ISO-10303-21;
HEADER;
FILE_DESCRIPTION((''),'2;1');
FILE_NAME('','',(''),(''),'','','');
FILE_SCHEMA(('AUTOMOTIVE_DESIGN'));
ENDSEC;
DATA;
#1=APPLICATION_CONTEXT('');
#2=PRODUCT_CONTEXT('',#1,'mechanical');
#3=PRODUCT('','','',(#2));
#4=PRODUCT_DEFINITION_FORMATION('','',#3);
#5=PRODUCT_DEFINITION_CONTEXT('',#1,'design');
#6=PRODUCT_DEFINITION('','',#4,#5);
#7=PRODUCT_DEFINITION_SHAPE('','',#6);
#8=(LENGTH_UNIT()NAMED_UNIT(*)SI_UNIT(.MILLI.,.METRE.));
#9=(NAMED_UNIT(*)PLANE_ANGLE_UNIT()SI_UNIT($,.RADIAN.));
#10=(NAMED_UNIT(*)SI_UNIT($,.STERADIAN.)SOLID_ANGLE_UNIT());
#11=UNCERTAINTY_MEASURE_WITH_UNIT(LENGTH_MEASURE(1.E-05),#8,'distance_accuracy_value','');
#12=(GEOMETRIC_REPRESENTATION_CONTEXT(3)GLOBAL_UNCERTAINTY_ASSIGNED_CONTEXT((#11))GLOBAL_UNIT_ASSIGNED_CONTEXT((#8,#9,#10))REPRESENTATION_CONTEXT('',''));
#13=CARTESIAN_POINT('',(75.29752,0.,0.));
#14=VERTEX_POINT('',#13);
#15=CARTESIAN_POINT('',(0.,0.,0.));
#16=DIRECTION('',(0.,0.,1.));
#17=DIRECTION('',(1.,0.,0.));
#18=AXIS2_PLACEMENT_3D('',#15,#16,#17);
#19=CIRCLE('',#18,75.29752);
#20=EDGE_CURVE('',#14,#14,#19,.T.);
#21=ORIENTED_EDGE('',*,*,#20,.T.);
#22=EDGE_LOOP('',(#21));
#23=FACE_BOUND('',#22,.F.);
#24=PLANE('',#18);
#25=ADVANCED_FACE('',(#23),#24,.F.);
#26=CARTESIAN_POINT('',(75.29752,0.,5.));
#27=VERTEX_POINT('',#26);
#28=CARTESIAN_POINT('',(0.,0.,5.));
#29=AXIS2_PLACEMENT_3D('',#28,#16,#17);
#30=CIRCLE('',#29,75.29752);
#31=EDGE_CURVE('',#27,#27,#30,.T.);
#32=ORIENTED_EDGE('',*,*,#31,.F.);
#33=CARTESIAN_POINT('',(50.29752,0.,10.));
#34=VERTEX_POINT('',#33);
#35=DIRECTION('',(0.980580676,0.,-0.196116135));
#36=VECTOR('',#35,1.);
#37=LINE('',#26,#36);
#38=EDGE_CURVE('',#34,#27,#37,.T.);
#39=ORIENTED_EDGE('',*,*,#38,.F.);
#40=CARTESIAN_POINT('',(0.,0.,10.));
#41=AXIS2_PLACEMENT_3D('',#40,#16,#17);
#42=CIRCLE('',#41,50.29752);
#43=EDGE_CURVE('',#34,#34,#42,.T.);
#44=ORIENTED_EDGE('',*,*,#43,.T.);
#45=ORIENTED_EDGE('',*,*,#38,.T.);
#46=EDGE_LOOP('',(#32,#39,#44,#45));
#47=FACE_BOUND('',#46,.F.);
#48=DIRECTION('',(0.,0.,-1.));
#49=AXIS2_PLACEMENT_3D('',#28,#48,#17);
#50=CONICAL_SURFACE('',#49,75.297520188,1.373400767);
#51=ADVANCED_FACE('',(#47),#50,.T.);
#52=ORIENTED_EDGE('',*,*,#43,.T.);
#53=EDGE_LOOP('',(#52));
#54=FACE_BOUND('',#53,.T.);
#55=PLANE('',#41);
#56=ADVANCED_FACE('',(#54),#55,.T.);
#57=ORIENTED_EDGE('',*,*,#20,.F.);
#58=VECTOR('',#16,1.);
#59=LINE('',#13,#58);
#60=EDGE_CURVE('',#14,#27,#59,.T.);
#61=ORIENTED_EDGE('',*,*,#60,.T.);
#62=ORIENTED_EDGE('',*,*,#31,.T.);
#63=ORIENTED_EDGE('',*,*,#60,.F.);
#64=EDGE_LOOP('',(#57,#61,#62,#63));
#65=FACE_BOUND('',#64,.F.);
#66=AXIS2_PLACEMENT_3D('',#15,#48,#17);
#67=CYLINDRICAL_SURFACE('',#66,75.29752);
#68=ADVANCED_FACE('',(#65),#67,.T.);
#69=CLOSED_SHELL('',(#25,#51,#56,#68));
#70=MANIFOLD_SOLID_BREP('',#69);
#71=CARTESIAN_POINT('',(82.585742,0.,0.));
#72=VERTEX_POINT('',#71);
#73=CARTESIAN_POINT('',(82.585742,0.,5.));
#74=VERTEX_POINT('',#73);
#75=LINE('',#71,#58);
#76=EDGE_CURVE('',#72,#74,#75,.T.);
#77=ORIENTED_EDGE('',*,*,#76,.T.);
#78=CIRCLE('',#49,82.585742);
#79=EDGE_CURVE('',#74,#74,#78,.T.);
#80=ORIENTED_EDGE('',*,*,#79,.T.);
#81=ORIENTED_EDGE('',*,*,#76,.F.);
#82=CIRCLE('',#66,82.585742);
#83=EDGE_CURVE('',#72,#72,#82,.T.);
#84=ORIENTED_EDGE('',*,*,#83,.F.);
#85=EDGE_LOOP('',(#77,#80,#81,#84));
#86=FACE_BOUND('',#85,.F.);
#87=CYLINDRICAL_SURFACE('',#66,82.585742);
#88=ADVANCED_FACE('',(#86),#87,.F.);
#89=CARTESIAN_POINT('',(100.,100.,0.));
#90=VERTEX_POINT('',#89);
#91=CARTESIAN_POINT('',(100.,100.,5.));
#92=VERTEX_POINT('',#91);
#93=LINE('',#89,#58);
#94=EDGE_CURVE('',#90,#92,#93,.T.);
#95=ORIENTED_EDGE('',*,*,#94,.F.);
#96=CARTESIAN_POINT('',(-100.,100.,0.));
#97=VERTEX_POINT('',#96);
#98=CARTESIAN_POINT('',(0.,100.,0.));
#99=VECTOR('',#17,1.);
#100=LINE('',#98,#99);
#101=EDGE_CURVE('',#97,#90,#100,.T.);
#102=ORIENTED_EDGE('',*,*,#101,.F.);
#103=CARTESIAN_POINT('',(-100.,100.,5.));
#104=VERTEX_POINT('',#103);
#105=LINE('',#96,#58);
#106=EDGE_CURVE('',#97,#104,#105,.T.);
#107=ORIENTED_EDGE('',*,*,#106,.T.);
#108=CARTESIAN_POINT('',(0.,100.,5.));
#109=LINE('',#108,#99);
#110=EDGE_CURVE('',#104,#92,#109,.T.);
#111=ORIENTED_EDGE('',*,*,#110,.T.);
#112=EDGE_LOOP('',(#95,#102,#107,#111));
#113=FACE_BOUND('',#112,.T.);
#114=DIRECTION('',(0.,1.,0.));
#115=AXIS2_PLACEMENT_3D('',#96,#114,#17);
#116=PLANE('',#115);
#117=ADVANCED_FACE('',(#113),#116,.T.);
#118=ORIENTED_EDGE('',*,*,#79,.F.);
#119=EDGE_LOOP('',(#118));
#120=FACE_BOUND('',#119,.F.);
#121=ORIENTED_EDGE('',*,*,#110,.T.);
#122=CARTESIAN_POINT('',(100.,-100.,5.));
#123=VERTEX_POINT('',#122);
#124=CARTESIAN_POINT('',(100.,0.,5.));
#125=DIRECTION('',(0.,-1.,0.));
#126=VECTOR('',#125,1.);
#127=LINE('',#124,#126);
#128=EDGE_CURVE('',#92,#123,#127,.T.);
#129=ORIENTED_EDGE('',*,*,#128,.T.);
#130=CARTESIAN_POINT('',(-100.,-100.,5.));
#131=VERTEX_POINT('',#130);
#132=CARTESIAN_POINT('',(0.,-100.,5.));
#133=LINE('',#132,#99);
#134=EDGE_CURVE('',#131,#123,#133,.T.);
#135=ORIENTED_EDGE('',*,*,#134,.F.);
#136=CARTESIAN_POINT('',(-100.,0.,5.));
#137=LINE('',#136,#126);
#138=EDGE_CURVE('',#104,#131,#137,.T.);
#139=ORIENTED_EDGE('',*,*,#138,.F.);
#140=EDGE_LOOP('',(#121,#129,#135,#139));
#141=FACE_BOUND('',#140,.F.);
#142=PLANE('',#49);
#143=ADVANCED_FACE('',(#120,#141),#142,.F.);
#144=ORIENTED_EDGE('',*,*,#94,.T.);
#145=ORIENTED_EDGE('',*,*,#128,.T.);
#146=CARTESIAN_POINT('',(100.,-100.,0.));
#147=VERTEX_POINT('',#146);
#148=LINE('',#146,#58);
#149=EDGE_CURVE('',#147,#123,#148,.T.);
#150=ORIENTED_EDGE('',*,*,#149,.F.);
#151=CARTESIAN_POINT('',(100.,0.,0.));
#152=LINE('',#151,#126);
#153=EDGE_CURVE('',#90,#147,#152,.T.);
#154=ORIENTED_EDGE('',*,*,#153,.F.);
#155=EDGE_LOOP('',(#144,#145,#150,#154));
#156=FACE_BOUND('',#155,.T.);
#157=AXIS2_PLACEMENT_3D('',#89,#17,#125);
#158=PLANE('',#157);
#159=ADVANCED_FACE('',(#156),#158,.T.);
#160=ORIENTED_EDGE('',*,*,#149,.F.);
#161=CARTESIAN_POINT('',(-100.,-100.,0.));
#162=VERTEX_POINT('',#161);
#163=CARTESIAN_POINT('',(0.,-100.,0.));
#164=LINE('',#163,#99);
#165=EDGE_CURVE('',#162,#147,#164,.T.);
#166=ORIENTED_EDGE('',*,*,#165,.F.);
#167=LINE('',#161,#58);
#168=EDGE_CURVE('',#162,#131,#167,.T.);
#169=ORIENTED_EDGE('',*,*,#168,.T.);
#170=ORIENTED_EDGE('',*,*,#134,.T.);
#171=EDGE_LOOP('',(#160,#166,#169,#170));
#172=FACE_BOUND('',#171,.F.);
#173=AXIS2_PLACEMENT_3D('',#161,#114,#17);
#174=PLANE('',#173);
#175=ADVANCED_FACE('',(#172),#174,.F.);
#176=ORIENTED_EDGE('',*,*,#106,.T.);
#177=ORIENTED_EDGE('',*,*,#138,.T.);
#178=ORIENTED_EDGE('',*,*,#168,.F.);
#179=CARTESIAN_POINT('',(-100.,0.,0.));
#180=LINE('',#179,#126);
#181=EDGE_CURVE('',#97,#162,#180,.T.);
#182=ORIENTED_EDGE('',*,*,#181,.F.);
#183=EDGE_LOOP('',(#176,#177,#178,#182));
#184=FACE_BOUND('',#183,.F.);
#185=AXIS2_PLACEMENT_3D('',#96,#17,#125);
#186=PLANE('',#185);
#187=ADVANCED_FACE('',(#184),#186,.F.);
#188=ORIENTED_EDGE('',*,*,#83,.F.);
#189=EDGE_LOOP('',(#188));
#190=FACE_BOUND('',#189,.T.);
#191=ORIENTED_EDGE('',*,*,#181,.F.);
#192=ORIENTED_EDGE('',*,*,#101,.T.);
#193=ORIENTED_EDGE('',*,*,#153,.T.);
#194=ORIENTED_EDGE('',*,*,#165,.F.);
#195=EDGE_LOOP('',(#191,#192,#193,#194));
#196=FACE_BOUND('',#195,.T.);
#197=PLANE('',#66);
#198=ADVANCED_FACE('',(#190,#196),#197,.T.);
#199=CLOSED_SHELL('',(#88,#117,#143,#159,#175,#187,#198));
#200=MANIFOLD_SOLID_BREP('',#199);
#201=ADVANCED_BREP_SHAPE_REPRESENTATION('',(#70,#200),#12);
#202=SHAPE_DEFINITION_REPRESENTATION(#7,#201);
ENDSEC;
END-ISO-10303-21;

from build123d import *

# Parameters (mm, degrees)
F0_R     = 75.2975201883
F1_DEPTH = 10
F2_SIZE2 = 5
F2_SIZE  = 25
F3_W     = 200
F3_H     = 200
F3_R     = 82.5857424783
F4_DEPTH = 5


with BuildPart() as f1:
    # F0 (on Top) → F1 (new body)
    with BuildSketch(Plane.XY):
        Circle(F0_R)
    extrude(amount=F1_DEPTH)

    # F2
    f2_edges = [f1.edges().sort_by_distance(p)[0] for p in [
        (-75.29752, 0, 10),
    ]]
    f2_side = f1.faces().sort_by_distance((0, 0, 10))[0]
    chamfer(f2_edges, length=F2_SIZE, length2=F2_SIZE2, reference=f2_side)


with BuildPart() as f4:
    # F3 (on face) → F4 (new body)
    with BuildSketch(Plane(origin=(0, 0, 0), x_dir=(1, 0, 0), z_dir=(0, 0, -1))):
        Rectangle(F3_W, F3_H)
        Circle(F3_R, mode=Mode.SUBTRACT)
    extrude(amount=-F4_DEPTH)


solid = Compound([f1.part, f4.part])
